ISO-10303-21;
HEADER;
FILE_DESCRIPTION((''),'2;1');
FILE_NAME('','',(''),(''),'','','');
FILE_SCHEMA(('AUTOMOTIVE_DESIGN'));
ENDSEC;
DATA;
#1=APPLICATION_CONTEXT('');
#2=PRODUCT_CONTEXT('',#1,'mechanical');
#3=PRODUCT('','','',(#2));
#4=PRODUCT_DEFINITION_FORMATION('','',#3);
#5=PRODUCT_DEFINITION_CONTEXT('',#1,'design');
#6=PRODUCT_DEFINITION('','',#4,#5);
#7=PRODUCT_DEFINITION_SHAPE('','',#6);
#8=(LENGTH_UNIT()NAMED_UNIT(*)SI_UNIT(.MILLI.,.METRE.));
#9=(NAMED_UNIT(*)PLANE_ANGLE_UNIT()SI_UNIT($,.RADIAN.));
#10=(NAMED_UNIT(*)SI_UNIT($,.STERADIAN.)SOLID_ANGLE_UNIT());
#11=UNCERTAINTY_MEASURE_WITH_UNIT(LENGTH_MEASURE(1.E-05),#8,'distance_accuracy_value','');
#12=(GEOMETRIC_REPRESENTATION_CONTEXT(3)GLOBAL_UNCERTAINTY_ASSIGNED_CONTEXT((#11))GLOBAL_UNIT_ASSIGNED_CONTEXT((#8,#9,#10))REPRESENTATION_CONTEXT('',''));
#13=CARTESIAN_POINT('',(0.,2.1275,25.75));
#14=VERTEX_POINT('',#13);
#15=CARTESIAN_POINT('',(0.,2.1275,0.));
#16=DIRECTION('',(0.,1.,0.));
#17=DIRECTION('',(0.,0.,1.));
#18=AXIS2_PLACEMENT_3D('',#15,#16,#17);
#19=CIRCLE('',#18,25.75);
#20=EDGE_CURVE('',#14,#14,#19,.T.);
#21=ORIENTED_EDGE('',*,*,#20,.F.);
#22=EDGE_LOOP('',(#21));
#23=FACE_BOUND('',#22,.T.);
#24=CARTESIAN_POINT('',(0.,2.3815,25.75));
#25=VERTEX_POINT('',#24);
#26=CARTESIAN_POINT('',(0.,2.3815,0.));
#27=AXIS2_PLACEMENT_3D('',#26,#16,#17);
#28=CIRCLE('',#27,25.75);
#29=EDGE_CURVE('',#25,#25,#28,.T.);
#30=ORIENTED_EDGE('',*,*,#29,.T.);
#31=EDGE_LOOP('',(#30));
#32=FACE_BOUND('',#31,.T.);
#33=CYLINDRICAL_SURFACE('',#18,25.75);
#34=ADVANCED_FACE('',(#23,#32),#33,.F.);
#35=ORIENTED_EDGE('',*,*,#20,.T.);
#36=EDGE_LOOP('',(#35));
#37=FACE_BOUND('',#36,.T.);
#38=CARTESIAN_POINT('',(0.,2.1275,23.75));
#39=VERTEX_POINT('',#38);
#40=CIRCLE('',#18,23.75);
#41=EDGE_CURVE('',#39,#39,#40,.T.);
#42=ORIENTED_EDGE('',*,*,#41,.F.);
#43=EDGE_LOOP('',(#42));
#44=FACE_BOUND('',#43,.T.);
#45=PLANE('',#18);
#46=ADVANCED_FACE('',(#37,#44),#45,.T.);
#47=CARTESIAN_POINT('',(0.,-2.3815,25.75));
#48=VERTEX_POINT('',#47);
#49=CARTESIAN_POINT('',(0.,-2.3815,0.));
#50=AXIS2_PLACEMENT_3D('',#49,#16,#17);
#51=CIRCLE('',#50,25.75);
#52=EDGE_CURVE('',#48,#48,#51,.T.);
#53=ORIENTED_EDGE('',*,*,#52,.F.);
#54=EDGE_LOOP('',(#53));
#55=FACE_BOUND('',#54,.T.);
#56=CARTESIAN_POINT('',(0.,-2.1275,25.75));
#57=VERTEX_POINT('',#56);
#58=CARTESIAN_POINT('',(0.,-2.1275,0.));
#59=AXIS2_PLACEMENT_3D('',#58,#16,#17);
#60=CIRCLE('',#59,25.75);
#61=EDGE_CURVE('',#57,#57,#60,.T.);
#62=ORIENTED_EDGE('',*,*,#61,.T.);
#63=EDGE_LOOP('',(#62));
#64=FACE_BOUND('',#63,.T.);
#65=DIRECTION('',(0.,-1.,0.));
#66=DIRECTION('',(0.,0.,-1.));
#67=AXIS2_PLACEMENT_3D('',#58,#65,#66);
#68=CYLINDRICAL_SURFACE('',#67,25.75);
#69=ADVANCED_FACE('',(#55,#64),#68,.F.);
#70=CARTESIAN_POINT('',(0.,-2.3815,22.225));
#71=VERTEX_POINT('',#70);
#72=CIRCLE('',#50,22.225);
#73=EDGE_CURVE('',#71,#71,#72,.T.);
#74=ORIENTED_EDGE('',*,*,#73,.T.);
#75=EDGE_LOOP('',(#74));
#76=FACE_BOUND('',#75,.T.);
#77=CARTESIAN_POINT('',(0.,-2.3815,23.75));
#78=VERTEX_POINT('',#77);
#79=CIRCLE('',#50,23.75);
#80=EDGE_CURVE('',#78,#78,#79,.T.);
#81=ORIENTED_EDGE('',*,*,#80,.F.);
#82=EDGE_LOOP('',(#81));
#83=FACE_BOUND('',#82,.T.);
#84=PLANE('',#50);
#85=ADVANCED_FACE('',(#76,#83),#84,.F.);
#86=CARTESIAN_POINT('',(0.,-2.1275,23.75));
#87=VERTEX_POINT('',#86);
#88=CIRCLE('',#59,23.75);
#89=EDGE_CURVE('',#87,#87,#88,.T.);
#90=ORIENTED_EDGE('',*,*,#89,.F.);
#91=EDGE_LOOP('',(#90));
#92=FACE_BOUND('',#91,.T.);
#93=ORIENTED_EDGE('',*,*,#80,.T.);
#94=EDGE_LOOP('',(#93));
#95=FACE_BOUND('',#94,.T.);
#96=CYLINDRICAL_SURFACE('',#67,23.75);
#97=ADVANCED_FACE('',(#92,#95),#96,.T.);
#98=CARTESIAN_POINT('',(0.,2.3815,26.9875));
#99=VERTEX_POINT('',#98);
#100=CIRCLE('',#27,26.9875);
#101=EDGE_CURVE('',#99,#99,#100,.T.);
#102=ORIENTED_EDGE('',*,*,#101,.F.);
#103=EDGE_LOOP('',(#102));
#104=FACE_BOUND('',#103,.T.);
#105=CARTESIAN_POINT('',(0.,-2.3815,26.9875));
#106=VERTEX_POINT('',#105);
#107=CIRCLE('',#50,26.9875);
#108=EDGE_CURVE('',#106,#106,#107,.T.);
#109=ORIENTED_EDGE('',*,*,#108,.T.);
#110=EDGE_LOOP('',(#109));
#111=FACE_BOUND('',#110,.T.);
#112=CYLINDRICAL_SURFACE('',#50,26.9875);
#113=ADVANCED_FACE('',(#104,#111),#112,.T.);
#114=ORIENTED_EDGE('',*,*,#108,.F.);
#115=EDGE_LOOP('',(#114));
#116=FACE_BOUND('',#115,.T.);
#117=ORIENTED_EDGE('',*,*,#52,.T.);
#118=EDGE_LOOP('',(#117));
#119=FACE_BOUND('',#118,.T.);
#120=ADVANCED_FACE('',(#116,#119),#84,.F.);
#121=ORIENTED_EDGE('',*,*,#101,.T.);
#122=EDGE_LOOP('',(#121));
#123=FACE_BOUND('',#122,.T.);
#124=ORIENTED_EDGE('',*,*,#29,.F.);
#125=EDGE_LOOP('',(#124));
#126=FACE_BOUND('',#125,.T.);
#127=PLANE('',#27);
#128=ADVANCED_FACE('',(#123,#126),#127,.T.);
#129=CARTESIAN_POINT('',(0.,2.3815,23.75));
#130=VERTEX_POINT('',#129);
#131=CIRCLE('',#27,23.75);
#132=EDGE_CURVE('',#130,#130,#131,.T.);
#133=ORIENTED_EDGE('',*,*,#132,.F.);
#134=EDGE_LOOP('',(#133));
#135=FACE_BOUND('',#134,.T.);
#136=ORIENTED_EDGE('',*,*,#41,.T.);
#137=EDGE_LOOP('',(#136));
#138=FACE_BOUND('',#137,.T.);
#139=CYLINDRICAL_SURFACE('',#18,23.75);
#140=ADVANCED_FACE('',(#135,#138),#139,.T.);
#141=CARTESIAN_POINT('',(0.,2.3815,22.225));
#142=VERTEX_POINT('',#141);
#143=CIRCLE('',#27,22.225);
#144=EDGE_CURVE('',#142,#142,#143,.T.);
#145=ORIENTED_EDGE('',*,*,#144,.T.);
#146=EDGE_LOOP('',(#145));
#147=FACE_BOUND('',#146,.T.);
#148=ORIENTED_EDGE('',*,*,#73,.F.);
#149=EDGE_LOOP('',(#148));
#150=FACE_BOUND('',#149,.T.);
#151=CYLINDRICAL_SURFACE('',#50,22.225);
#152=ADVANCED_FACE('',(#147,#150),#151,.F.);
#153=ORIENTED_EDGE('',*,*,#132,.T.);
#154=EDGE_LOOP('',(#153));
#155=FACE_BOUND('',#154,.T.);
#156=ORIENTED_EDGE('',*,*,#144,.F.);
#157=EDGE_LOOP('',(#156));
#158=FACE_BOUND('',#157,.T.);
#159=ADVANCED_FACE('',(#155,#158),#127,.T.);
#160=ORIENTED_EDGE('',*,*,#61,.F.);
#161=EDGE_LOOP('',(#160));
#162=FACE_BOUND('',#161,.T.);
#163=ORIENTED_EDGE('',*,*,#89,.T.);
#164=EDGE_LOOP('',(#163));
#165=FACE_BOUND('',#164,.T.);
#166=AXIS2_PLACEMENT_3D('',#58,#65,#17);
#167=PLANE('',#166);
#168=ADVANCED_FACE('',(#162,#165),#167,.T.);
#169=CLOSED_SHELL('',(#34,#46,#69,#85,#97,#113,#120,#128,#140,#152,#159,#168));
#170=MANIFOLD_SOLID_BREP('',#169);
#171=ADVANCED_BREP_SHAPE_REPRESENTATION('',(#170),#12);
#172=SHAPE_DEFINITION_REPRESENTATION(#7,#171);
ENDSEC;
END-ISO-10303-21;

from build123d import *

# Parameters (mm, degrees)
EXTRUDE_1_DEPTH      = 2.3815
EXTRUDE_1_DEPTH_BACK = 2.3815
SKETCH_1_R           = 26.9875
SKETCH_1_R_2         = 22.225
SKETCH_2_R           = 25.75
SKETCH_2_R_2         = 23.75
CUT_EXTRUDE_1_DEPTH  = 0.254


with BuildPart() as part:
    # ｽｹｯﾁ1 → ﾎﾞｽ - 押し出し1 (new, two sides: drawn at the far end of the back side and taken through both)
    with BuildSketch(Plane(origin=(0, 0, 0), x_dir=(1, 0, 0), z_dir=(0, 1, 0)).offset(-EXTRUDE_1_DEPTH_BACK)):
        Circle(SKETCH_1_R)
        Circle(SKETCH_1_R_2, mode=Mode.SUBTRACT)
    extrude(amount=EXTRUDE_1_DEPTH + EXTRUDE_1_DEPTH_BACK)

    # ｽｹｯﾁ2 → ｶｯﾄ - 押し出し1 (cut)
    with BuildSketch(Plane(origin=(0, 2.3815, 0), x_dir=(1, 0, 0), z_dir=(0, 1, 0))):
        Circle(SKETCH_2_R)
        Circle(SKETCH_2_R_2, mode=Mode.SUBTRACT)
    cut_extrude_1 = extrude(amount=-CUT_EXTRUDE_1_DEPTH, mode=Mode.SUBTRACT)

    # ﾐﾗｰ1: ｶｯﾄ - 押し出し1 across plane
    add(cut_extrude_1.mirror(Plane.ZX), mode=Mode.SUBTRACT)


solid = part.part
